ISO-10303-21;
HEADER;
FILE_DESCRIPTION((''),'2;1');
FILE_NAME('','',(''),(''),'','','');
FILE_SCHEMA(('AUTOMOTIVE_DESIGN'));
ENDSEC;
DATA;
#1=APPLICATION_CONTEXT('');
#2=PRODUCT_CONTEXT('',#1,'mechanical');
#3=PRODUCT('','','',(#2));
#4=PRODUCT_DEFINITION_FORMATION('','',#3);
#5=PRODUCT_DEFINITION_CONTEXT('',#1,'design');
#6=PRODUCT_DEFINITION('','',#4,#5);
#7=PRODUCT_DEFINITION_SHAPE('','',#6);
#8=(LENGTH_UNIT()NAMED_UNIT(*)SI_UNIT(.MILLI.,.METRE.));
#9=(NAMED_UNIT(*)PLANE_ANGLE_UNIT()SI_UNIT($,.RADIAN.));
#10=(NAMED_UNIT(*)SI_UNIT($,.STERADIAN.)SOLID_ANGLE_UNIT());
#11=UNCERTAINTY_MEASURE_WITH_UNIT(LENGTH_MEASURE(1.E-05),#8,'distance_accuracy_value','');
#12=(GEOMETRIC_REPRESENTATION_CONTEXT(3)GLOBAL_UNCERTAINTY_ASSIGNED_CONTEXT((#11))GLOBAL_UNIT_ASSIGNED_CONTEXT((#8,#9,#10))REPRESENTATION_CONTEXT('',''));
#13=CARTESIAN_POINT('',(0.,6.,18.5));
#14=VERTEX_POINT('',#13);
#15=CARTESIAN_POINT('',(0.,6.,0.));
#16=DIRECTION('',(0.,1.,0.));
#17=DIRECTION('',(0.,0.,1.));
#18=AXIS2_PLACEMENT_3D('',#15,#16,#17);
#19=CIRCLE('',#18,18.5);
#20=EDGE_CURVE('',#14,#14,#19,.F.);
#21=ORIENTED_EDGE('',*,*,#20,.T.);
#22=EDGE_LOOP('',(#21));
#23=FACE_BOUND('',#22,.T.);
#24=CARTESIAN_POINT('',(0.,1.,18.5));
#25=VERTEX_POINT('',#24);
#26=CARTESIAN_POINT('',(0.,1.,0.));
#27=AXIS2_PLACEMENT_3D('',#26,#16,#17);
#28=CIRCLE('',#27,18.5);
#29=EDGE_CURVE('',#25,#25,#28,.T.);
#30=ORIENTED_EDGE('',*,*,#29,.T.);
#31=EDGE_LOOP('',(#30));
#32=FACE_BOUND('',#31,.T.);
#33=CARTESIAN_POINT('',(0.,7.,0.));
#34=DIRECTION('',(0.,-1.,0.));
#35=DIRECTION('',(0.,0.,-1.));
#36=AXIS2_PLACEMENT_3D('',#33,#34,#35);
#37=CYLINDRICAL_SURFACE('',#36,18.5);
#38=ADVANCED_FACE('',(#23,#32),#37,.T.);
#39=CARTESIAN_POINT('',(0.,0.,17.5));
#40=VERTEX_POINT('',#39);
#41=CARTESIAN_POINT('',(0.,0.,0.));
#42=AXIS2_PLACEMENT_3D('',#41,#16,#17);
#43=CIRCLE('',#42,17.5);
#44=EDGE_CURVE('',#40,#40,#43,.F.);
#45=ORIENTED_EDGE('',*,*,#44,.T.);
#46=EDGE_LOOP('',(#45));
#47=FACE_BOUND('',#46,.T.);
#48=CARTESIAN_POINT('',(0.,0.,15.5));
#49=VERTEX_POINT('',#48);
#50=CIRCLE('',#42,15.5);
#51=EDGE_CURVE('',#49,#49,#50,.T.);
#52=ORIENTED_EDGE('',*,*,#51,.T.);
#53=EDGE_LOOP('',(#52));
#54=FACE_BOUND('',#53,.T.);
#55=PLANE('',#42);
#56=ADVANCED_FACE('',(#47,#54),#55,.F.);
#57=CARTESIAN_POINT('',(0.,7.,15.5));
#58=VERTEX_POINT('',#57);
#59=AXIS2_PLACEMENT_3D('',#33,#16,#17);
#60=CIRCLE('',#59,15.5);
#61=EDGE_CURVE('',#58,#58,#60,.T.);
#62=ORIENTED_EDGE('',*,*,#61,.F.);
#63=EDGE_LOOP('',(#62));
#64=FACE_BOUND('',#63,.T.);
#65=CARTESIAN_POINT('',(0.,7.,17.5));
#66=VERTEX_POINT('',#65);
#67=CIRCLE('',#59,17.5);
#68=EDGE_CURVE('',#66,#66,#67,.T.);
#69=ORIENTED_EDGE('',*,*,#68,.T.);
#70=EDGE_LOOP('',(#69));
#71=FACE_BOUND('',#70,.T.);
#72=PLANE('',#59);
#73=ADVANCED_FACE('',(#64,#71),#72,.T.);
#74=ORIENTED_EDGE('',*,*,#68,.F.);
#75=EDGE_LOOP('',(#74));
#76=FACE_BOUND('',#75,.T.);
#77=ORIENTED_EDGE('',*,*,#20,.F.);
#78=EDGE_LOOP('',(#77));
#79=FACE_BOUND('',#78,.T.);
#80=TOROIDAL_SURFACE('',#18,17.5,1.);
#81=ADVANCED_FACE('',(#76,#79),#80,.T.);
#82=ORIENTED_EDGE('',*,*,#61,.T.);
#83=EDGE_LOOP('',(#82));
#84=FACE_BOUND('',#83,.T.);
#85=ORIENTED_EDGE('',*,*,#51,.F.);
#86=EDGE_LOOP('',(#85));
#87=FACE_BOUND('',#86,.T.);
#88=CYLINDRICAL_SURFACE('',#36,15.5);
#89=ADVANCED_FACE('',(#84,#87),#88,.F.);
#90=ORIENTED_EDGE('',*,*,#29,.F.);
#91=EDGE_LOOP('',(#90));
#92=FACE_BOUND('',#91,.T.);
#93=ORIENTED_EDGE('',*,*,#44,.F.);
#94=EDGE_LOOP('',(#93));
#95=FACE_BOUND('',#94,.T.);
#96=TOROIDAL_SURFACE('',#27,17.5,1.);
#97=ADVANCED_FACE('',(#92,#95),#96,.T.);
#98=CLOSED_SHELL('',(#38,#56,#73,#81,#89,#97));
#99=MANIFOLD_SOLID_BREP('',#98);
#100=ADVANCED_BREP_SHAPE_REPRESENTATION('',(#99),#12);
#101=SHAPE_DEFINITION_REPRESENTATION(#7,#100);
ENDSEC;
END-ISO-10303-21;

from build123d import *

# Parameters (mm, degrees)
SKETCH1_R           = 18.5
SKETCH1_R_2         = 15.5
BOSS_EXTRUDE1_DEPTH = 7
FILLET1_R           = 1


with BuildPart() as part:
    # Sketch1 → Boss-Extrude1 (new body)
    with BuildSketch(Plane(origin=(0, 0, 0), x_dir=(1, 0, 0), z_dir=(0, 1, 0))):
        with Locations(Location((0, 0, 0), (0, 0, 270))):
            Circle(SKETCH1_R)
        with Locations(Location((0, 0, 0), (0, 0, 270))):
            Circle(SKETCH1_R_2, mode=Mode.SUBTRACT)
    extrude(amount=BOSS_EXTRUDE1_DEPTH)

    # Fillet1
    fillet1_edges = [part.edges().sort_by_distance(p)[0] for p in [
        (0, 0, -18.5),
        (0, 7, -18.5),
    ]]
    fillet(fillet1_edges, radius=FILLET1_R)


solid = part.part
